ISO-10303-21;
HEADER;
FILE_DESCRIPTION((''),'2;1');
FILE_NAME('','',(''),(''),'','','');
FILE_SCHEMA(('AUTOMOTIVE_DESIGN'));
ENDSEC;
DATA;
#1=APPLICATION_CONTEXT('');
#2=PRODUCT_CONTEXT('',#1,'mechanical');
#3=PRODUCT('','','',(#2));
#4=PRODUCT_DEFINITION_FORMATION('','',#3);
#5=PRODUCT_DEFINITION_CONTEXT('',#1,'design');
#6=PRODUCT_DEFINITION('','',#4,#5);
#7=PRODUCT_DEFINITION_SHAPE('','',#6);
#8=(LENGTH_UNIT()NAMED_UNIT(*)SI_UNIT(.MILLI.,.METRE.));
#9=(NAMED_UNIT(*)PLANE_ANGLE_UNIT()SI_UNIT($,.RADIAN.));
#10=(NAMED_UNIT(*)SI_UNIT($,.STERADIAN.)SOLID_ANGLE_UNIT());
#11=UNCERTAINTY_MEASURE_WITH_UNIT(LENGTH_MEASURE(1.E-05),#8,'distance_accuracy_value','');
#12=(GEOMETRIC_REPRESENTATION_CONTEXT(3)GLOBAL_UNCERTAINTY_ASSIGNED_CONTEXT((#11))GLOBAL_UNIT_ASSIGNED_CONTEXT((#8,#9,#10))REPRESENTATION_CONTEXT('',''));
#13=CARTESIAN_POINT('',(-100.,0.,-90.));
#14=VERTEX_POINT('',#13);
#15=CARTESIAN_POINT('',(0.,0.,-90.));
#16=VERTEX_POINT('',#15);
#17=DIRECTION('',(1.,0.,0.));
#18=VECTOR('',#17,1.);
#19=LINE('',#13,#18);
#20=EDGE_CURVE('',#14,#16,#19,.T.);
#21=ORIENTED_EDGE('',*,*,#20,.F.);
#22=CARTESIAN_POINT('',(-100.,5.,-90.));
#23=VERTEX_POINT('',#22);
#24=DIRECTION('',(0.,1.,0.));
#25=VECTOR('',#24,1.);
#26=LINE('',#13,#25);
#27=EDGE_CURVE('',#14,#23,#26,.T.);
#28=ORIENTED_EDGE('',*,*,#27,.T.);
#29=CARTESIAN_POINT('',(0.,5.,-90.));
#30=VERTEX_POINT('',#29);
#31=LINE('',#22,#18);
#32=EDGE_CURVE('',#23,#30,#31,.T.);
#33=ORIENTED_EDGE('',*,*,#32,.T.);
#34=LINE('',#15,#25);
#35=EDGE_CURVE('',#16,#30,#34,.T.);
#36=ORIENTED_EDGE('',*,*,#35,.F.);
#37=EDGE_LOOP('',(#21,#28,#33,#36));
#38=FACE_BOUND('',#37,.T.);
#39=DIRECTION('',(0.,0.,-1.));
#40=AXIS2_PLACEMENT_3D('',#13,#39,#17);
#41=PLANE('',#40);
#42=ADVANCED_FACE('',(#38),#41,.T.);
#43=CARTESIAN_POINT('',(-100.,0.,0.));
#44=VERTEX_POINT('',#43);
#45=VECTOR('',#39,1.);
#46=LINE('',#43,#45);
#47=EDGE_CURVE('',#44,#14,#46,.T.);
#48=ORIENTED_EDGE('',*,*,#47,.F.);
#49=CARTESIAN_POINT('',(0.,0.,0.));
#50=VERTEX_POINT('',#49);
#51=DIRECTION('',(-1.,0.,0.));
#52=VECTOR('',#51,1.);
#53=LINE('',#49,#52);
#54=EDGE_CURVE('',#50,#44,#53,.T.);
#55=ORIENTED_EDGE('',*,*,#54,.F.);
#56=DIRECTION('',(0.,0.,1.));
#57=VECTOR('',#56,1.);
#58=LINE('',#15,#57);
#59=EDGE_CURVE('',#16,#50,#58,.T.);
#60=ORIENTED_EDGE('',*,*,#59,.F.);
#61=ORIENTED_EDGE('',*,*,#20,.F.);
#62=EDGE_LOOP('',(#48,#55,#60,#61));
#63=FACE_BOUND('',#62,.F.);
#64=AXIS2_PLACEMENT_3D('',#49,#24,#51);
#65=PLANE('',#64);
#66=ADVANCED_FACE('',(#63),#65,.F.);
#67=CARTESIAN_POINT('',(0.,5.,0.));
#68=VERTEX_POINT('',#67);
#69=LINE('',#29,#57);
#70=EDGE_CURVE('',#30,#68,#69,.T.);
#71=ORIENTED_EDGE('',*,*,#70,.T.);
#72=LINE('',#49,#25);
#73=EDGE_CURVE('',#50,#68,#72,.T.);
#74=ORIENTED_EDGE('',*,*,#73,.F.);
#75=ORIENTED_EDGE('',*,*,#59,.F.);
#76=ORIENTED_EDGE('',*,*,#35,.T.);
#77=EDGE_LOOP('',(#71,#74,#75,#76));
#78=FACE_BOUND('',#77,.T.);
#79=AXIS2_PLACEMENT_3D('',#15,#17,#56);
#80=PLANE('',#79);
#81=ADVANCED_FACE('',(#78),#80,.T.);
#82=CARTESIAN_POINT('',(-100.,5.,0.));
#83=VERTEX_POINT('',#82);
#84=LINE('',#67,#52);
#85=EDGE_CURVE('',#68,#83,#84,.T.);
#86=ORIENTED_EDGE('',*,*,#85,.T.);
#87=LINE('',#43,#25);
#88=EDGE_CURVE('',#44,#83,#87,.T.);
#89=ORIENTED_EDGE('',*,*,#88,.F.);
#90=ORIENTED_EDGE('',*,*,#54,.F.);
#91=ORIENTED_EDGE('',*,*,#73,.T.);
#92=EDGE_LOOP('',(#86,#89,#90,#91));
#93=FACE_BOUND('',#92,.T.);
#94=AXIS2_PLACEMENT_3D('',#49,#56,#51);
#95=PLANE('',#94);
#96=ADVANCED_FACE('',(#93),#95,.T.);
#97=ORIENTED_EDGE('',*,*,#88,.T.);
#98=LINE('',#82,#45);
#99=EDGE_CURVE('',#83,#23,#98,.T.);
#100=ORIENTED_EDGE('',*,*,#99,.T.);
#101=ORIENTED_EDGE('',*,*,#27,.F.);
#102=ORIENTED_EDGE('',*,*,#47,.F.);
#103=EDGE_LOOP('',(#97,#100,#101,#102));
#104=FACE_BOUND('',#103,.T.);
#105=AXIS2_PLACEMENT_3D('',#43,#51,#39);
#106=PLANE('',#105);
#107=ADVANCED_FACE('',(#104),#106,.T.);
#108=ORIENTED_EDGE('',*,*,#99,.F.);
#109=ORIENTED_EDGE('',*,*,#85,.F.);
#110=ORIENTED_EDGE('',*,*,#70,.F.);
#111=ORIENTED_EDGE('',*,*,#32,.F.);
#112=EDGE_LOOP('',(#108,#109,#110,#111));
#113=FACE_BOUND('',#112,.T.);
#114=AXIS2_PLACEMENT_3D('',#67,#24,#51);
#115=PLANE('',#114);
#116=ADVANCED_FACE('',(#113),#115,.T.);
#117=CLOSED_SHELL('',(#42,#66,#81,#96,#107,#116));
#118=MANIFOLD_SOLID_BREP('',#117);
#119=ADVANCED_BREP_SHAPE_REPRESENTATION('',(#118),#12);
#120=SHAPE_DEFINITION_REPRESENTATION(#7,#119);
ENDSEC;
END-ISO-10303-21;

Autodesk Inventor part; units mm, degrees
ref_plane "YZ Plane" through (0, 0, 0) normal (1, 0, 0) x (0, 1, 0)
ref_plane "XZ Plane" through (0, 0, 0) normal (0, 1, 0) x (-1, 0, 0)
ref_plane "XY Plane" through (0, 0, 0) normal (0, 0, 1) x (1, 0, 0)
sketch "Sketch1" plane through (0, 0, 0) normal (0, 1, 0) x (-1, 0, 0)
  line L0 (0, 0) -> (100, 0)
  line L1 (100, 0) -> (100, -90)
  line L2 (100, -90) -> (0, -90)
  line L3 (0, -90) -> (0, 0)
  dimension "d0" = 100
  dimension "d1" = 90
extrude "Extrusion1" add sketch "Sketch1" along normal blind 5
properties material "LCP Plastic"
